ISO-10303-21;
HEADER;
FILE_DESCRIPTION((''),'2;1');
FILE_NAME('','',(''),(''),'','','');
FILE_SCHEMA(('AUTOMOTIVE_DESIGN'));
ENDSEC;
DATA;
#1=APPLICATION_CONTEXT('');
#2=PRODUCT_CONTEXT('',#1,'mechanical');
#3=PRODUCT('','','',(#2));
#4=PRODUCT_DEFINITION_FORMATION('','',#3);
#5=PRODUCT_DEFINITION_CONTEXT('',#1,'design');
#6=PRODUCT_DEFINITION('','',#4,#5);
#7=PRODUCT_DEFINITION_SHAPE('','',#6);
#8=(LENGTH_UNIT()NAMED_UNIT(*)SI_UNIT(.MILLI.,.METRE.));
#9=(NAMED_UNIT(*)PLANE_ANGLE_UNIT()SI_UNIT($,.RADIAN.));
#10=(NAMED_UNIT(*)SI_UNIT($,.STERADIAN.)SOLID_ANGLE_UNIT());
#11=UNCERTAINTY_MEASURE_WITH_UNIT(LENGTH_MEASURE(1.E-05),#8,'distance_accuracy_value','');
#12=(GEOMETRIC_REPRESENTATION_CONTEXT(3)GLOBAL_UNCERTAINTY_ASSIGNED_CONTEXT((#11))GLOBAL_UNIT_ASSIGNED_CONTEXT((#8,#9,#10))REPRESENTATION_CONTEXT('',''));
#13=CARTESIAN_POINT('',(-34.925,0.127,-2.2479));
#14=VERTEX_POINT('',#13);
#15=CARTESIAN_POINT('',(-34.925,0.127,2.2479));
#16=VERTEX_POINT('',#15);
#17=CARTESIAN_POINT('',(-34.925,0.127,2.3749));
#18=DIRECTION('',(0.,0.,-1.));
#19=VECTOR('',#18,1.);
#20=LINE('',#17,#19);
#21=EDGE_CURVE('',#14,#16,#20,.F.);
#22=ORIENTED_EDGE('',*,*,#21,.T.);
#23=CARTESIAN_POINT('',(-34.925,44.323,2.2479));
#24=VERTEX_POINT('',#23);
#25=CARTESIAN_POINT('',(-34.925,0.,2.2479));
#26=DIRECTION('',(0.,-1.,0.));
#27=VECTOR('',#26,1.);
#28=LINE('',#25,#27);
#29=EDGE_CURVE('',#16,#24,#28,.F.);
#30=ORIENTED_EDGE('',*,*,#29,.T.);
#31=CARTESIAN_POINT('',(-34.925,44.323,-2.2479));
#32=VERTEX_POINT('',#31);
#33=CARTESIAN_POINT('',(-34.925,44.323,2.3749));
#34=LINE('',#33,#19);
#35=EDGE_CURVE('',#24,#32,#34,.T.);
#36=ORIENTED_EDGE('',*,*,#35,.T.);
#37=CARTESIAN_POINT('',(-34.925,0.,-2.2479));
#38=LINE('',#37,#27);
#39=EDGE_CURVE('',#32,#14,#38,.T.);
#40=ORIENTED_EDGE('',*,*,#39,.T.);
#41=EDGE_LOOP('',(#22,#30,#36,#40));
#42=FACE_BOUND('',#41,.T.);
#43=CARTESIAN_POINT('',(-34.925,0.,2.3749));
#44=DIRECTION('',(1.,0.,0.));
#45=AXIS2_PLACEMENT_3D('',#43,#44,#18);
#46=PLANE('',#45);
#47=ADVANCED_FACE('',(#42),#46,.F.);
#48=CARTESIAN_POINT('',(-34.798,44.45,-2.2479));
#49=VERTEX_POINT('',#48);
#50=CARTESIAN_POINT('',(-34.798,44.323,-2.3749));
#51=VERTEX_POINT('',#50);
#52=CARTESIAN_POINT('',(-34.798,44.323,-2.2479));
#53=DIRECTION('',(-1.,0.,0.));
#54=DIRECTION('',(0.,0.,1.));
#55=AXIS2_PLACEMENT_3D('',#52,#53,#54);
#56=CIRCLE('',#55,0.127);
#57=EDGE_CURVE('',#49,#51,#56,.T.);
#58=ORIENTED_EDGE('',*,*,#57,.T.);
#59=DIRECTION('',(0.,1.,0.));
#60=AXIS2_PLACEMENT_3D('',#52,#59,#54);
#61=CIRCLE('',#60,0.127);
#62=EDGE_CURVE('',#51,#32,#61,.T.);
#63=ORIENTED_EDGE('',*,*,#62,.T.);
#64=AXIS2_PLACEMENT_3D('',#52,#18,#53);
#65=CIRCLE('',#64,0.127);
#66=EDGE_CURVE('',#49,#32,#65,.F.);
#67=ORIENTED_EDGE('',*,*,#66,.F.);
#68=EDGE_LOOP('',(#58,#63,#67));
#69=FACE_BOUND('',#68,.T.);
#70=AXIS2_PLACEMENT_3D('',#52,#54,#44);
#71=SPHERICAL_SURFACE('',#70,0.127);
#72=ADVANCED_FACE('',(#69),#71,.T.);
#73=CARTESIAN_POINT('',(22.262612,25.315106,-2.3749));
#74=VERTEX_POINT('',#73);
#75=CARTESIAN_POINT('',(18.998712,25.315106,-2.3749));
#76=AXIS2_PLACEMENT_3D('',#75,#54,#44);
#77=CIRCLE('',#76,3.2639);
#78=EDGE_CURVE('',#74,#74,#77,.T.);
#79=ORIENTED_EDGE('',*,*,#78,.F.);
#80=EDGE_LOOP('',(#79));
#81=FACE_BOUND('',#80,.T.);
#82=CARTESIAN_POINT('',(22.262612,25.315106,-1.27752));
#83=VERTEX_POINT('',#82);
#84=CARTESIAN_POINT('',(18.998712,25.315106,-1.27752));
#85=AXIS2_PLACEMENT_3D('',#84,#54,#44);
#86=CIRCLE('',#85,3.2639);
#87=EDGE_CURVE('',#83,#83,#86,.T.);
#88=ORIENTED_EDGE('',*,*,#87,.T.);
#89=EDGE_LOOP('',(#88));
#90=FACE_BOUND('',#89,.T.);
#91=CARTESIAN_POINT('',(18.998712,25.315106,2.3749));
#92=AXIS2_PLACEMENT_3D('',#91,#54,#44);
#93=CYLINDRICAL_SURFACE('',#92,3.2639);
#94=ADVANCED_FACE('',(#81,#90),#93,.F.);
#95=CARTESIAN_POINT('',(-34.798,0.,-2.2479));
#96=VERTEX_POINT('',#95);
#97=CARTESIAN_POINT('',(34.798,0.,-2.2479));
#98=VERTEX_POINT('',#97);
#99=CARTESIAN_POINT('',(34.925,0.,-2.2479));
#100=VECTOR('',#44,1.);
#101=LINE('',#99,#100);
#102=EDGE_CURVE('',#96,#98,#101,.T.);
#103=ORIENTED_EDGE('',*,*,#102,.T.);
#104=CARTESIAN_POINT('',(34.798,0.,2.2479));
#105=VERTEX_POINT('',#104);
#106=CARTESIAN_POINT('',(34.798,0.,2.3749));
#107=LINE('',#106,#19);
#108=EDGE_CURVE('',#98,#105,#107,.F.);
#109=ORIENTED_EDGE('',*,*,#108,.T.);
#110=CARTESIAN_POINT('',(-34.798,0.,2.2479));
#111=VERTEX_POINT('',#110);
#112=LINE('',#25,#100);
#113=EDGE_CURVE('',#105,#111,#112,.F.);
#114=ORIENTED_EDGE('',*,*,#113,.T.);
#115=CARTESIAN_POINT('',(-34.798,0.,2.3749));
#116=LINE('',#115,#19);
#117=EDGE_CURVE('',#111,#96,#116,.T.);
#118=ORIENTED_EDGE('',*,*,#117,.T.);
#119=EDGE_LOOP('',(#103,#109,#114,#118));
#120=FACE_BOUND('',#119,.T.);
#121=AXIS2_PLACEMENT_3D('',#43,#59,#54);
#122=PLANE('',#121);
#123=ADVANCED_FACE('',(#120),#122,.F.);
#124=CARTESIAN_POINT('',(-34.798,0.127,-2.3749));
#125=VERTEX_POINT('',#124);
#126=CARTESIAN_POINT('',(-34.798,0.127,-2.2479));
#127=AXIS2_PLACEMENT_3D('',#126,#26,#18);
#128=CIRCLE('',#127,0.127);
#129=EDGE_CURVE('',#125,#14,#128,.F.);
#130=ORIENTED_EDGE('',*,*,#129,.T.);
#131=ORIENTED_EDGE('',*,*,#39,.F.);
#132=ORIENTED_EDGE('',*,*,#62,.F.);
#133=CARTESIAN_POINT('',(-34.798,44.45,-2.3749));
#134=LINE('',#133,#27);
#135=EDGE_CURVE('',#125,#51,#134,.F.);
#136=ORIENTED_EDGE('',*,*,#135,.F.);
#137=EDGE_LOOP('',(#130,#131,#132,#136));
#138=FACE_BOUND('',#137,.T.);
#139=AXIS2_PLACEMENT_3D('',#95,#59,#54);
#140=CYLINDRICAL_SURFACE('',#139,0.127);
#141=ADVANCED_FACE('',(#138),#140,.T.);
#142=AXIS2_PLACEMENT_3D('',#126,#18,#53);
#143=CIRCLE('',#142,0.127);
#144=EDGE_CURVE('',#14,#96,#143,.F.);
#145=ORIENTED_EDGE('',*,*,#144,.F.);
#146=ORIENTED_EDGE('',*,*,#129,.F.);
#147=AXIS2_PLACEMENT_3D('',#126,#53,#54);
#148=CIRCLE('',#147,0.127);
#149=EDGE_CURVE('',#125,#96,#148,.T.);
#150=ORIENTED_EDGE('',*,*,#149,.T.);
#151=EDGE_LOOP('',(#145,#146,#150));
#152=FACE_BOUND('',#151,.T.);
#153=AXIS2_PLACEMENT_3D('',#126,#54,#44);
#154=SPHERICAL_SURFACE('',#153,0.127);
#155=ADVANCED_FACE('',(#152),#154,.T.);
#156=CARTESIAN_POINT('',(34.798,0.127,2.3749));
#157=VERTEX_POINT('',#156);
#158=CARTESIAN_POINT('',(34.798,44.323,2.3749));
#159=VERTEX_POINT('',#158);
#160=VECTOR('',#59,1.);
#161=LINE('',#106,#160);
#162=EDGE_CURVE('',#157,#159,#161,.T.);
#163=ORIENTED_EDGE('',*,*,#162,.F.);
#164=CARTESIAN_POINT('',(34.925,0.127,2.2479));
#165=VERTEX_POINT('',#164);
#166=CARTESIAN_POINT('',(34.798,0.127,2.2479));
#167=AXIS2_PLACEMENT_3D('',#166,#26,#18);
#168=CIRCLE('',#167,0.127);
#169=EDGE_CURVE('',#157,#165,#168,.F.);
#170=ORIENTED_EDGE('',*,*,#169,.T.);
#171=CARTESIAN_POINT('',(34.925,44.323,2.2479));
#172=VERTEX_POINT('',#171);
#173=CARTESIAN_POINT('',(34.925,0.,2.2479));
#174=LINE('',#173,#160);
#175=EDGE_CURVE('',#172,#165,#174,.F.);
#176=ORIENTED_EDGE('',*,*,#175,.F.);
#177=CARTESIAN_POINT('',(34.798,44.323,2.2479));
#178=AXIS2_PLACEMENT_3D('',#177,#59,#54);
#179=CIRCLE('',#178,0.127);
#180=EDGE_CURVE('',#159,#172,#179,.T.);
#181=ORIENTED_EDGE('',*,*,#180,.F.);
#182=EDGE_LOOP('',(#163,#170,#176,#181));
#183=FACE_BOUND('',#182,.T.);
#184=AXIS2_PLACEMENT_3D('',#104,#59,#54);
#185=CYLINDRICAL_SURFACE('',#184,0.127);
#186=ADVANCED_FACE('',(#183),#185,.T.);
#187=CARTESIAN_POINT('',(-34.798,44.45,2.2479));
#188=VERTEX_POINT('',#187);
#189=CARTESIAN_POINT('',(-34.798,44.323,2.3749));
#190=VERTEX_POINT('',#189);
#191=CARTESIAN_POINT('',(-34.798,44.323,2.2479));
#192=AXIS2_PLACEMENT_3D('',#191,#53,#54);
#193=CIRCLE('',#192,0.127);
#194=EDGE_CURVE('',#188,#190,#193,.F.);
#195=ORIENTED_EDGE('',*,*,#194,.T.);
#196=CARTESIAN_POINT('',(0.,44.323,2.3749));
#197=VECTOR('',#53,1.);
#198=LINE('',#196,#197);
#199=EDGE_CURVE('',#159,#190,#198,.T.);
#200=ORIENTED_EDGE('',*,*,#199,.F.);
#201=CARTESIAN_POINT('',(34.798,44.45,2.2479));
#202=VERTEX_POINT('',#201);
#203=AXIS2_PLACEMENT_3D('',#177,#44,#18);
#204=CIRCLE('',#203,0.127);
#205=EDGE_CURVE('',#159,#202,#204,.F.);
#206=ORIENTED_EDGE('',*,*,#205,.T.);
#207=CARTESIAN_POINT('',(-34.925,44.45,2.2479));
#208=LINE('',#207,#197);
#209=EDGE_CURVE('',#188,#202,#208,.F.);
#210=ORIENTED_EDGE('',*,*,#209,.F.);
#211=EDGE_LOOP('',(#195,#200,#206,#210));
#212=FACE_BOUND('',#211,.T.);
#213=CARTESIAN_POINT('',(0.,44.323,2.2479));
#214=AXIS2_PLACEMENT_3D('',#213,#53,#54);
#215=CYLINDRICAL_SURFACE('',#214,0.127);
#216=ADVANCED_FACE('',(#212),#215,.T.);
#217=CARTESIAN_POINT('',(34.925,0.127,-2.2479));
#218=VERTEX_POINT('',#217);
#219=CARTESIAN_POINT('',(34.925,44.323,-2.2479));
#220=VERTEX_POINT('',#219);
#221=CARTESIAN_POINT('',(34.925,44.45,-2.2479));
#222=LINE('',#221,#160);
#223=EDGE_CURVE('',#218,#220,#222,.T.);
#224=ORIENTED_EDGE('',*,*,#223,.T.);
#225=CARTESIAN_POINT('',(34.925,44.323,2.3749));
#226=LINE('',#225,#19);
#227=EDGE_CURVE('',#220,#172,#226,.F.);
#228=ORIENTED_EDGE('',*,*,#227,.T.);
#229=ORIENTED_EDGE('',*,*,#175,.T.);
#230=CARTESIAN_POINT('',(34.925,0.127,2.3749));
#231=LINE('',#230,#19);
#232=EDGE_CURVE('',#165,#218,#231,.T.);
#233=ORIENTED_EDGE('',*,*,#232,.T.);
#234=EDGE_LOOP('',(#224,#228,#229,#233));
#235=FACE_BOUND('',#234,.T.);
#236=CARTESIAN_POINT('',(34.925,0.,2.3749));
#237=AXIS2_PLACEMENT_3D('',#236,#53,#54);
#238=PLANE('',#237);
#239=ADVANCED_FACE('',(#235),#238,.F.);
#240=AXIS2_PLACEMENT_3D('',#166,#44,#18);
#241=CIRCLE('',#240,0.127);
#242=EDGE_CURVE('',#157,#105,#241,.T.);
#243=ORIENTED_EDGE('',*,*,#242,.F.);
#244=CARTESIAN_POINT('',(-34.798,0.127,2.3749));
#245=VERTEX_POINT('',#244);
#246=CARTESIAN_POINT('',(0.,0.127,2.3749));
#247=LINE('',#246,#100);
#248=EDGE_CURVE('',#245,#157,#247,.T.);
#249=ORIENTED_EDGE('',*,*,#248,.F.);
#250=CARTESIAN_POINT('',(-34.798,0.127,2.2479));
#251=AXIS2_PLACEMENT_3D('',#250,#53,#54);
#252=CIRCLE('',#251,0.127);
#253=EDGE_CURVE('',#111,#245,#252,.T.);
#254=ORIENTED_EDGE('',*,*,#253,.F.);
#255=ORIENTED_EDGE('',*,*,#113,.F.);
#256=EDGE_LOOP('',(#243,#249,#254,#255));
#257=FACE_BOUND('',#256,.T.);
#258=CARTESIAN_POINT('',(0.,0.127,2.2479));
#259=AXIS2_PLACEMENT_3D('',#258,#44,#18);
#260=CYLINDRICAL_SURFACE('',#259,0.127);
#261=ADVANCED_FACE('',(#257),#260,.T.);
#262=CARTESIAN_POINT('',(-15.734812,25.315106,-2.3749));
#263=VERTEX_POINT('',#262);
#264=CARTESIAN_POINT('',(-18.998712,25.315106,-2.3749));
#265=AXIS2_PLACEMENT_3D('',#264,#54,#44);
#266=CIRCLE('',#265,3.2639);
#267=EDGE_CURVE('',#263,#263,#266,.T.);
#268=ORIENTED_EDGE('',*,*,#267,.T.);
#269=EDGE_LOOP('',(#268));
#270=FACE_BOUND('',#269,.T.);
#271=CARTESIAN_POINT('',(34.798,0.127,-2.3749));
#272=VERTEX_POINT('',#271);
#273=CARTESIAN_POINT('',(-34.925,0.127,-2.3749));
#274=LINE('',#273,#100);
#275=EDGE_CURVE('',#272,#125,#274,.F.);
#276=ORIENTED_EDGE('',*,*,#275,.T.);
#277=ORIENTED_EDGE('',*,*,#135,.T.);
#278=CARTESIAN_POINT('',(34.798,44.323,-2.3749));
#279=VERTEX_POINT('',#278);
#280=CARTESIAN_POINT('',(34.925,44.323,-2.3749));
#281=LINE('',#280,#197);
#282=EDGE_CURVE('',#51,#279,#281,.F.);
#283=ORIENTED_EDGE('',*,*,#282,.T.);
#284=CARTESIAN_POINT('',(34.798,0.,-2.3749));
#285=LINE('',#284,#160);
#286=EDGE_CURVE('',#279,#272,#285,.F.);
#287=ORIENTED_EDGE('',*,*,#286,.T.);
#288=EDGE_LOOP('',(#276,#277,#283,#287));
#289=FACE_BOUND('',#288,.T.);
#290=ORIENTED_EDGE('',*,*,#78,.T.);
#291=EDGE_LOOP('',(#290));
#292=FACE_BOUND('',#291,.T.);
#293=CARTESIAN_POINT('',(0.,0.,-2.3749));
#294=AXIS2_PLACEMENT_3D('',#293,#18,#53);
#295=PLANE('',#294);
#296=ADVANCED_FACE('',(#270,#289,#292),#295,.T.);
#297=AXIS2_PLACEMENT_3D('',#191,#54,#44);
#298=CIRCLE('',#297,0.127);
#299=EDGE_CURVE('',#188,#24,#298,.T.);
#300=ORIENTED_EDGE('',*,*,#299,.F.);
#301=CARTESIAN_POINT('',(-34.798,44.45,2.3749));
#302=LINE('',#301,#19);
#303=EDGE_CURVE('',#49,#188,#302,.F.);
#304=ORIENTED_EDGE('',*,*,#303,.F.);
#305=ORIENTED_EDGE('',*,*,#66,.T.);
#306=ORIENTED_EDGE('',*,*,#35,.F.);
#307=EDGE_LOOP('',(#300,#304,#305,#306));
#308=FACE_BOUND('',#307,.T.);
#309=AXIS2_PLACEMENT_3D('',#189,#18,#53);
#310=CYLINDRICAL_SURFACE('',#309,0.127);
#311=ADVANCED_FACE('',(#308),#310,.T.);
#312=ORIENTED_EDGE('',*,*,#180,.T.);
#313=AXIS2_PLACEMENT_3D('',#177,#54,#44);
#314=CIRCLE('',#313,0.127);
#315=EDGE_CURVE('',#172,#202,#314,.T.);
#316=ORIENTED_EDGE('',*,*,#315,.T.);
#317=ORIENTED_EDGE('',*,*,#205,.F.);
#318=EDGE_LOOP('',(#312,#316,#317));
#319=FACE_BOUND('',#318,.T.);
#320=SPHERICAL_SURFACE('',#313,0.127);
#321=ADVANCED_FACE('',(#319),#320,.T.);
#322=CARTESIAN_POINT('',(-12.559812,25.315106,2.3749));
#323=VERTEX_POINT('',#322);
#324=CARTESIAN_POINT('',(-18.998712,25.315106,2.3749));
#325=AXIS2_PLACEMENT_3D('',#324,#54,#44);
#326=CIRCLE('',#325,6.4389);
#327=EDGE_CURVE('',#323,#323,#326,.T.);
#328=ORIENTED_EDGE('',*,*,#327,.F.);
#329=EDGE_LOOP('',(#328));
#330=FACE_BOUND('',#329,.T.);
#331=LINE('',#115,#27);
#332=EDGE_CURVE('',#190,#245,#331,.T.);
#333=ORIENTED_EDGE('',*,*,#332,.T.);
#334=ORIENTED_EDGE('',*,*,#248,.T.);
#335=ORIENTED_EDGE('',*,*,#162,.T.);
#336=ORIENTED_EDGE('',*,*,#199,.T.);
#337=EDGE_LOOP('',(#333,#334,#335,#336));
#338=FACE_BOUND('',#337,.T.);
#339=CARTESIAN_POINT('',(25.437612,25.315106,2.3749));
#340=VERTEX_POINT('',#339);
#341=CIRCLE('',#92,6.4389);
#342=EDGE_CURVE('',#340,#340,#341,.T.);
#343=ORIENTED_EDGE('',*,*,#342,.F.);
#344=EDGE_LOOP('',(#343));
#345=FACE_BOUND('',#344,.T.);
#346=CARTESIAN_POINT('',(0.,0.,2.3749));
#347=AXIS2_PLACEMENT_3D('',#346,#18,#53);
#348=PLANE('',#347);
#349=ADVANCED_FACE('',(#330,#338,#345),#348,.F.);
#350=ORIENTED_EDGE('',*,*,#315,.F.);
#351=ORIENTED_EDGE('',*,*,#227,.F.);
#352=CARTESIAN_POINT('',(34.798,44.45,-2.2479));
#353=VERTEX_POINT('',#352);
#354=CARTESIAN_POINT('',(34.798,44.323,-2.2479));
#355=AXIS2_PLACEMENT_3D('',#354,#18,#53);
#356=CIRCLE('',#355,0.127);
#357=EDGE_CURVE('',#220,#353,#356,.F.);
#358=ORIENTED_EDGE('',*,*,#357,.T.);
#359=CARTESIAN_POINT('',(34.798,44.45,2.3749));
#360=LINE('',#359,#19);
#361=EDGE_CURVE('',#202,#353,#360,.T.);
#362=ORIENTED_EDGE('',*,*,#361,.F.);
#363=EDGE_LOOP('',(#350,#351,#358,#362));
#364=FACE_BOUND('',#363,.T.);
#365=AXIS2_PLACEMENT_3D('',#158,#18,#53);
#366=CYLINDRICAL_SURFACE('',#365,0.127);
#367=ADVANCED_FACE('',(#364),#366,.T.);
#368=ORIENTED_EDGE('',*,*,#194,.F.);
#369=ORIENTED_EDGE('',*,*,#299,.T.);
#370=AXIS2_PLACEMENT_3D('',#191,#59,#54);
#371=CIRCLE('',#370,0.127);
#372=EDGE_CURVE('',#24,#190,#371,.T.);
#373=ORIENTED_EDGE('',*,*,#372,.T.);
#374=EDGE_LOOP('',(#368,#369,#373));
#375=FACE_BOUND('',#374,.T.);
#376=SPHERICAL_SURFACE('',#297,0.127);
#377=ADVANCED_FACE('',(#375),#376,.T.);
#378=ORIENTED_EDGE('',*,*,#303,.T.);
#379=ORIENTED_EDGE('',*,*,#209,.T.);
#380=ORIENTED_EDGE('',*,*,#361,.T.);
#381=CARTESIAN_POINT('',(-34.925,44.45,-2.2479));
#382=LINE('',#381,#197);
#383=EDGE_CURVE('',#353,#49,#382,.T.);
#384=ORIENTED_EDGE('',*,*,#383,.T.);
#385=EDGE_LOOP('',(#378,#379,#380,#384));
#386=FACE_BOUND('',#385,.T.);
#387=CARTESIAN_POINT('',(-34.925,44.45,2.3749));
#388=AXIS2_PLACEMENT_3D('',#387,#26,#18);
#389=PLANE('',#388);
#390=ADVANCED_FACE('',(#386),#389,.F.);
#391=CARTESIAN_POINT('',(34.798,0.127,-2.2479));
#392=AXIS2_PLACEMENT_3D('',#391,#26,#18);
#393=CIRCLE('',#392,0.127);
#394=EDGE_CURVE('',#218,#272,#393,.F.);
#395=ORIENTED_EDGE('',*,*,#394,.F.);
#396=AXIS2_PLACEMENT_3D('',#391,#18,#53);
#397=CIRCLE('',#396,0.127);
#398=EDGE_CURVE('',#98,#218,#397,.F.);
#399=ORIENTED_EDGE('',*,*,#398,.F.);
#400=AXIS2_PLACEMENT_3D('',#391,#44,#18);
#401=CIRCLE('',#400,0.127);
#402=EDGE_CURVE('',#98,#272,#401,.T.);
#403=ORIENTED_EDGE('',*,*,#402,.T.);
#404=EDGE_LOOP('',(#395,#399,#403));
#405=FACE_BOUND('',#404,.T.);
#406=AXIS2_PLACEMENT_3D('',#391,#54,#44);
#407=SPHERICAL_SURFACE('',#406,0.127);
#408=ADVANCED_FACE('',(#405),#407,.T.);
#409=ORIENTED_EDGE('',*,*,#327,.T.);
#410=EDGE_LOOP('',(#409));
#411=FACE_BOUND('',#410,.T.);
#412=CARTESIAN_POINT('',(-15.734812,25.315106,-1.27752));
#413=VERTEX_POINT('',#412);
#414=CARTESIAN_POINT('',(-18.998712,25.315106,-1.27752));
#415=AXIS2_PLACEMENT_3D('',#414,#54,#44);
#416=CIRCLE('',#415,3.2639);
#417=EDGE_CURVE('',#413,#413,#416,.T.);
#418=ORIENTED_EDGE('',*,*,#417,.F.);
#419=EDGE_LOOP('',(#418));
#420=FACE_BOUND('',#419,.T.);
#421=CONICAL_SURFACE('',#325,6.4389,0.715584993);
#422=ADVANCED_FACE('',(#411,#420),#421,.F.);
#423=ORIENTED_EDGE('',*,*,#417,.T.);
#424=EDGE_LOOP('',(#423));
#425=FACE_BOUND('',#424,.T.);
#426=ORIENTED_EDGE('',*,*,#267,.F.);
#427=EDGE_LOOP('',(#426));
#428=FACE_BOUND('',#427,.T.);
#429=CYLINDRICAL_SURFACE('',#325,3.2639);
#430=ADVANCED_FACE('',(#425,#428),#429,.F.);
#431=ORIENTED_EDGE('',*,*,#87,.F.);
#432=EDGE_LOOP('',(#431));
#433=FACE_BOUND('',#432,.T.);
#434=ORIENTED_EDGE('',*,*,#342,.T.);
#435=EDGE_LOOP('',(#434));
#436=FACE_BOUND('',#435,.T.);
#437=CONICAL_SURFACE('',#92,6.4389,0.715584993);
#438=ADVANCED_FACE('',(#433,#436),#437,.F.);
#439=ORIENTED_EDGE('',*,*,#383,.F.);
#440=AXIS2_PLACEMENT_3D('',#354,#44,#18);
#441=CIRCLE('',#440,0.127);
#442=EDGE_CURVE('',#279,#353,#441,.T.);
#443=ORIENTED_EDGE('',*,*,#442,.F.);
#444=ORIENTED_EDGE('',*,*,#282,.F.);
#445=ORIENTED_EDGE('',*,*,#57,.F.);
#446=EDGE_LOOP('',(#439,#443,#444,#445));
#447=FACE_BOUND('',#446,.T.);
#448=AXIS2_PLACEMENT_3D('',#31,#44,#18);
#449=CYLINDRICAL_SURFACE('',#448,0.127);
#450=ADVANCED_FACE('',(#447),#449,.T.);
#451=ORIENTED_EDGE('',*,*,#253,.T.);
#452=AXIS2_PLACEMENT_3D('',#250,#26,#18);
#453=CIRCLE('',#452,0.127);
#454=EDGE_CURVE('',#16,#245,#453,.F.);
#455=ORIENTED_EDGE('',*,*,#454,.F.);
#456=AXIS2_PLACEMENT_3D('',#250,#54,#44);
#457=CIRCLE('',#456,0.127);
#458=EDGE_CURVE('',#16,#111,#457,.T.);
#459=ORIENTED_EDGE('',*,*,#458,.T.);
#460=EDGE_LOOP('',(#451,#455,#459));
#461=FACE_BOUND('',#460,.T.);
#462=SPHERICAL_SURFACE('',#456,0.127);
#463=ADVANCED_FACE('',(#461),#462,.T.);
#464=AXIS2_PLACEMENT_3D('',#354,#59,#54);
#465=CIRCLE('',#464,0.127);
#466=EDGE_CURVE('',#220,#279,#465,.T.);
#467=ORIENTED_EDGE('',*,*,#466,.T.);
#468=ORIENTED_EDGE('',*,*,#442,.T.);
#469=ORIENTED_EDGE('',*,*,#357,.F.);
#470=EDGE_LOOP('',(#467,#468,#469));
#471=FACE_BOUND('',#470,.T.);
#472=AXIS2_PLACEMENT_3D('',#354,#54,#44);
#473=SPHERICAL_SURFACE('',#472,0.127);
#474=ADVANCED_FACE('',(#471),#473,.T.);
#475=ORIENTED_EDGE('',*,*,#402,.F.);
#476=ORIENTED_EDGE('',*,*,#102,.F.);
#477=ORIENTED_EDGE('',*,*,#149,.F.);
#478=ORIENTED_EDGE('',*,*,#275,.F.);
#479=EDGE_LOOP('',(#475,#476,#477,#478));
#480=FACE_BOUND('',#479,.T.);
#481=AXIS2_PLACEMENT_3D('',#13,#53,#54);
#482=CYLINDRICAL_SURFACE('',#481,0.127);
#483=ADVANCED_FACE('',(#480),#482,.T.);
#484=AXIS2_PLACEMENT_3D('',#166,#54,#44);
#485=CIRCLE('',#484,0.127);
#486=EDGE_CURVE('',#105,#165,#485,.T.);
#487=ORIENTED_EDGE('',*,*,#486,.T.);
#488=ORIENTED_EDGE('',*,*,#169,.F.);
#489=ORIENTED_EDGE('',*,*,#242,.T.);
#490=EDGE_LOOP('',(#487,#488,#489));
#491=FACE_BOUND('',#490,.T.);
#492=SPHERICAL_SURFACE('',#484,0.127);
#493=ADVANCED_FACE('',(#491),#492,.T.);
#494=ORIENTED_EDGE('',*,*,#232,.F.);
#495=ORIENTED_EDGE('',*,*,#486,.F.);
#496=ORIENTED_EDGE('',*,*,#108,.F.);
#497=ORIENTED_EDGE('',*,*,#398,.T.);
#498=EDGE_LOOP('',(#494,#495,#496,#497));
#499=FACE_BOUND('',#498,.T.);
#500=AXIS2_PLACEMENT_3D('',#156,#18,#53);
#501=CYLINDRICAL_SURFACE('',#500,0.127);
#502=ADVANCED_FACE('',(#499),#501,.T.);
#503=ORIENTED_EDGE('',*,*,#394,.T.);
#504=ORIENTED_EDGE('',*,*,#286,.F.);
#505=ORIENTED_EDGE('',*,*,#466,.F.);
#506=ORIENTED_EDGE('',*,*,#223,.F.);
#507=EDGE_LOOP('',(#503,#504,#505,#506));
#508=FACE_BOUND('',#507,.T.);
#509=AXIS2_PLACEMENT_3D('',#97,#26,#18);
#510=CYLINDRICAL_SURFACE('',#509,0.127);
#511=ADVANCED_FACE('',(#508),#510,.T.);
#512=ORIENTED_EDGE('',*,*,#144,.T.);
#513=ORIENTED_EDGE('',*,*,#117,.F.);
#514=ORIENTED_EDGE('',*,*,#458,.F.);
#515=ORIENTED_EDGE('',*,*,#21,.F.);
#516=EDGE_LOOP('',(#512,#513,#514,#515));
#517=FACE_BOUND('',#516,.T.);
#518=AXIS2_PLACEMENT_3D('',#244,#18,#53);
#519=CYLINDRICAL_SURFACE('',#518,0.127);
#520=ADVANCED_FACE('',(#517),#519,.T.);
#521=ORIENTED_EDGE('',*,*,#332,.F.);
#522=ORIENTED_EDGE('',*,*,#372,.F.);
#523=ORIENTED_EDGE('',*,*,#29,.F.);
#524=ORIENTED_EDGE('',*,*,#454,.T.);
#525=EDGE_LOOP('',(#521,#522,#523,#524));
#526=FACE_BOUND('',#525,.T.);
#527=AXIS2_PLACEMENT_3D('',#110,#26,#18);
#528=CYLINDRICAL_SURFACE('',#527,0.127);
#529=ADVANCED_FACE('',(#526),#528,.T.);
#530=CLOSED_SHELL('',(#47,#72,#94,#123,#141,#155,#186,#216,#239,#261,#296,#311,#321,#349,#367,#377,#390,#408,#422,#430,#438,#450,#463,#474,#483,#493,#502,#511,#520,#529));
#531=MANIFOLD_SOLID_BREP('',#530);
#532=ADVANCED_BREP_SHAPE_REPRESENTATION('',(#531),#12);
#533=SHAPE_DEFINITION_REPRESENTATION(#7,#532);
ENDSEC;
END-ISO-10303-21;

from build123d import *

# Parameters (mm, degrees)
SKETCH1_W           = 69.85
SKETCH1_H           = 44.45
BOSS_EXTRUDE1_DEPTH = 2.3749
FILLET1_R           = 0.127


with BuildPart() as part:
    # Sketch1 → Boss-Extrude1 (new, symmetric)
    with BuildSketch(Plane.XY):
        with Locations((0, 22.225)):
            Rectangle(SKETCH1_W, SKETCH1_H)
    extrude(amount=BOSS_EXTRUDE1_DEPTH, both=True)

    # Sketch4 → CSK for 1/4 Flat Head Machine Screw2 (revolve, cut)
    with BuildSketch(Plane(origin=(18.998712013, 25.315105776, 2.3749), x_dir=(0, -1, 0), z_dir=(1, 0, 0))):
        Polygon((0, 0), (0, 4.7498), (3.2639, 4.7498), (3.2639, 3.652419693), (6.4389, 0), align=None)
    csk_for_1_4_flat_head_machine_screw2 = revolve(axis=Axis((18.998712013, 25.315105776, 8.7249), (0, 0, -1)), mode=Mode.SUBTRACT)

    # Mirror1: CSK for 1/4 Flat Head Machine Screw2 across plane
    add(csk_for_1_4_flat_head_machine_screw2.mirror(Plane(origin=(0, 0, 0), x_dir=(0, 0, 1), z_dir=(1, 0, 0))), mode=Mode.SUBTRACT)

    # Fillet1
    fillet1_edges = [part.edges().sort_by_distance(p)[0] for p in [
        (34.925, 22.225, 2.3749),
        (0, 44.45, 2.3749),
        (-34.925, 22.225, 2.3749),
        (0, 44.45, -2.3749),
        (34.925, 22.225, -2.3749),
        (0, 0, -2.3749),
        (-34.925, 22.225, -2.3749),
        (0, 0, 2.3749),
        (-34.925, 44.45, 0),
        (34.925, 44.45, 0),
        (34.925, 0, 0),
        (-34.925, 0, 0),
    ]]
    fillet(fillet1_edges, radius=FILLET1_R)


solid = part.part
